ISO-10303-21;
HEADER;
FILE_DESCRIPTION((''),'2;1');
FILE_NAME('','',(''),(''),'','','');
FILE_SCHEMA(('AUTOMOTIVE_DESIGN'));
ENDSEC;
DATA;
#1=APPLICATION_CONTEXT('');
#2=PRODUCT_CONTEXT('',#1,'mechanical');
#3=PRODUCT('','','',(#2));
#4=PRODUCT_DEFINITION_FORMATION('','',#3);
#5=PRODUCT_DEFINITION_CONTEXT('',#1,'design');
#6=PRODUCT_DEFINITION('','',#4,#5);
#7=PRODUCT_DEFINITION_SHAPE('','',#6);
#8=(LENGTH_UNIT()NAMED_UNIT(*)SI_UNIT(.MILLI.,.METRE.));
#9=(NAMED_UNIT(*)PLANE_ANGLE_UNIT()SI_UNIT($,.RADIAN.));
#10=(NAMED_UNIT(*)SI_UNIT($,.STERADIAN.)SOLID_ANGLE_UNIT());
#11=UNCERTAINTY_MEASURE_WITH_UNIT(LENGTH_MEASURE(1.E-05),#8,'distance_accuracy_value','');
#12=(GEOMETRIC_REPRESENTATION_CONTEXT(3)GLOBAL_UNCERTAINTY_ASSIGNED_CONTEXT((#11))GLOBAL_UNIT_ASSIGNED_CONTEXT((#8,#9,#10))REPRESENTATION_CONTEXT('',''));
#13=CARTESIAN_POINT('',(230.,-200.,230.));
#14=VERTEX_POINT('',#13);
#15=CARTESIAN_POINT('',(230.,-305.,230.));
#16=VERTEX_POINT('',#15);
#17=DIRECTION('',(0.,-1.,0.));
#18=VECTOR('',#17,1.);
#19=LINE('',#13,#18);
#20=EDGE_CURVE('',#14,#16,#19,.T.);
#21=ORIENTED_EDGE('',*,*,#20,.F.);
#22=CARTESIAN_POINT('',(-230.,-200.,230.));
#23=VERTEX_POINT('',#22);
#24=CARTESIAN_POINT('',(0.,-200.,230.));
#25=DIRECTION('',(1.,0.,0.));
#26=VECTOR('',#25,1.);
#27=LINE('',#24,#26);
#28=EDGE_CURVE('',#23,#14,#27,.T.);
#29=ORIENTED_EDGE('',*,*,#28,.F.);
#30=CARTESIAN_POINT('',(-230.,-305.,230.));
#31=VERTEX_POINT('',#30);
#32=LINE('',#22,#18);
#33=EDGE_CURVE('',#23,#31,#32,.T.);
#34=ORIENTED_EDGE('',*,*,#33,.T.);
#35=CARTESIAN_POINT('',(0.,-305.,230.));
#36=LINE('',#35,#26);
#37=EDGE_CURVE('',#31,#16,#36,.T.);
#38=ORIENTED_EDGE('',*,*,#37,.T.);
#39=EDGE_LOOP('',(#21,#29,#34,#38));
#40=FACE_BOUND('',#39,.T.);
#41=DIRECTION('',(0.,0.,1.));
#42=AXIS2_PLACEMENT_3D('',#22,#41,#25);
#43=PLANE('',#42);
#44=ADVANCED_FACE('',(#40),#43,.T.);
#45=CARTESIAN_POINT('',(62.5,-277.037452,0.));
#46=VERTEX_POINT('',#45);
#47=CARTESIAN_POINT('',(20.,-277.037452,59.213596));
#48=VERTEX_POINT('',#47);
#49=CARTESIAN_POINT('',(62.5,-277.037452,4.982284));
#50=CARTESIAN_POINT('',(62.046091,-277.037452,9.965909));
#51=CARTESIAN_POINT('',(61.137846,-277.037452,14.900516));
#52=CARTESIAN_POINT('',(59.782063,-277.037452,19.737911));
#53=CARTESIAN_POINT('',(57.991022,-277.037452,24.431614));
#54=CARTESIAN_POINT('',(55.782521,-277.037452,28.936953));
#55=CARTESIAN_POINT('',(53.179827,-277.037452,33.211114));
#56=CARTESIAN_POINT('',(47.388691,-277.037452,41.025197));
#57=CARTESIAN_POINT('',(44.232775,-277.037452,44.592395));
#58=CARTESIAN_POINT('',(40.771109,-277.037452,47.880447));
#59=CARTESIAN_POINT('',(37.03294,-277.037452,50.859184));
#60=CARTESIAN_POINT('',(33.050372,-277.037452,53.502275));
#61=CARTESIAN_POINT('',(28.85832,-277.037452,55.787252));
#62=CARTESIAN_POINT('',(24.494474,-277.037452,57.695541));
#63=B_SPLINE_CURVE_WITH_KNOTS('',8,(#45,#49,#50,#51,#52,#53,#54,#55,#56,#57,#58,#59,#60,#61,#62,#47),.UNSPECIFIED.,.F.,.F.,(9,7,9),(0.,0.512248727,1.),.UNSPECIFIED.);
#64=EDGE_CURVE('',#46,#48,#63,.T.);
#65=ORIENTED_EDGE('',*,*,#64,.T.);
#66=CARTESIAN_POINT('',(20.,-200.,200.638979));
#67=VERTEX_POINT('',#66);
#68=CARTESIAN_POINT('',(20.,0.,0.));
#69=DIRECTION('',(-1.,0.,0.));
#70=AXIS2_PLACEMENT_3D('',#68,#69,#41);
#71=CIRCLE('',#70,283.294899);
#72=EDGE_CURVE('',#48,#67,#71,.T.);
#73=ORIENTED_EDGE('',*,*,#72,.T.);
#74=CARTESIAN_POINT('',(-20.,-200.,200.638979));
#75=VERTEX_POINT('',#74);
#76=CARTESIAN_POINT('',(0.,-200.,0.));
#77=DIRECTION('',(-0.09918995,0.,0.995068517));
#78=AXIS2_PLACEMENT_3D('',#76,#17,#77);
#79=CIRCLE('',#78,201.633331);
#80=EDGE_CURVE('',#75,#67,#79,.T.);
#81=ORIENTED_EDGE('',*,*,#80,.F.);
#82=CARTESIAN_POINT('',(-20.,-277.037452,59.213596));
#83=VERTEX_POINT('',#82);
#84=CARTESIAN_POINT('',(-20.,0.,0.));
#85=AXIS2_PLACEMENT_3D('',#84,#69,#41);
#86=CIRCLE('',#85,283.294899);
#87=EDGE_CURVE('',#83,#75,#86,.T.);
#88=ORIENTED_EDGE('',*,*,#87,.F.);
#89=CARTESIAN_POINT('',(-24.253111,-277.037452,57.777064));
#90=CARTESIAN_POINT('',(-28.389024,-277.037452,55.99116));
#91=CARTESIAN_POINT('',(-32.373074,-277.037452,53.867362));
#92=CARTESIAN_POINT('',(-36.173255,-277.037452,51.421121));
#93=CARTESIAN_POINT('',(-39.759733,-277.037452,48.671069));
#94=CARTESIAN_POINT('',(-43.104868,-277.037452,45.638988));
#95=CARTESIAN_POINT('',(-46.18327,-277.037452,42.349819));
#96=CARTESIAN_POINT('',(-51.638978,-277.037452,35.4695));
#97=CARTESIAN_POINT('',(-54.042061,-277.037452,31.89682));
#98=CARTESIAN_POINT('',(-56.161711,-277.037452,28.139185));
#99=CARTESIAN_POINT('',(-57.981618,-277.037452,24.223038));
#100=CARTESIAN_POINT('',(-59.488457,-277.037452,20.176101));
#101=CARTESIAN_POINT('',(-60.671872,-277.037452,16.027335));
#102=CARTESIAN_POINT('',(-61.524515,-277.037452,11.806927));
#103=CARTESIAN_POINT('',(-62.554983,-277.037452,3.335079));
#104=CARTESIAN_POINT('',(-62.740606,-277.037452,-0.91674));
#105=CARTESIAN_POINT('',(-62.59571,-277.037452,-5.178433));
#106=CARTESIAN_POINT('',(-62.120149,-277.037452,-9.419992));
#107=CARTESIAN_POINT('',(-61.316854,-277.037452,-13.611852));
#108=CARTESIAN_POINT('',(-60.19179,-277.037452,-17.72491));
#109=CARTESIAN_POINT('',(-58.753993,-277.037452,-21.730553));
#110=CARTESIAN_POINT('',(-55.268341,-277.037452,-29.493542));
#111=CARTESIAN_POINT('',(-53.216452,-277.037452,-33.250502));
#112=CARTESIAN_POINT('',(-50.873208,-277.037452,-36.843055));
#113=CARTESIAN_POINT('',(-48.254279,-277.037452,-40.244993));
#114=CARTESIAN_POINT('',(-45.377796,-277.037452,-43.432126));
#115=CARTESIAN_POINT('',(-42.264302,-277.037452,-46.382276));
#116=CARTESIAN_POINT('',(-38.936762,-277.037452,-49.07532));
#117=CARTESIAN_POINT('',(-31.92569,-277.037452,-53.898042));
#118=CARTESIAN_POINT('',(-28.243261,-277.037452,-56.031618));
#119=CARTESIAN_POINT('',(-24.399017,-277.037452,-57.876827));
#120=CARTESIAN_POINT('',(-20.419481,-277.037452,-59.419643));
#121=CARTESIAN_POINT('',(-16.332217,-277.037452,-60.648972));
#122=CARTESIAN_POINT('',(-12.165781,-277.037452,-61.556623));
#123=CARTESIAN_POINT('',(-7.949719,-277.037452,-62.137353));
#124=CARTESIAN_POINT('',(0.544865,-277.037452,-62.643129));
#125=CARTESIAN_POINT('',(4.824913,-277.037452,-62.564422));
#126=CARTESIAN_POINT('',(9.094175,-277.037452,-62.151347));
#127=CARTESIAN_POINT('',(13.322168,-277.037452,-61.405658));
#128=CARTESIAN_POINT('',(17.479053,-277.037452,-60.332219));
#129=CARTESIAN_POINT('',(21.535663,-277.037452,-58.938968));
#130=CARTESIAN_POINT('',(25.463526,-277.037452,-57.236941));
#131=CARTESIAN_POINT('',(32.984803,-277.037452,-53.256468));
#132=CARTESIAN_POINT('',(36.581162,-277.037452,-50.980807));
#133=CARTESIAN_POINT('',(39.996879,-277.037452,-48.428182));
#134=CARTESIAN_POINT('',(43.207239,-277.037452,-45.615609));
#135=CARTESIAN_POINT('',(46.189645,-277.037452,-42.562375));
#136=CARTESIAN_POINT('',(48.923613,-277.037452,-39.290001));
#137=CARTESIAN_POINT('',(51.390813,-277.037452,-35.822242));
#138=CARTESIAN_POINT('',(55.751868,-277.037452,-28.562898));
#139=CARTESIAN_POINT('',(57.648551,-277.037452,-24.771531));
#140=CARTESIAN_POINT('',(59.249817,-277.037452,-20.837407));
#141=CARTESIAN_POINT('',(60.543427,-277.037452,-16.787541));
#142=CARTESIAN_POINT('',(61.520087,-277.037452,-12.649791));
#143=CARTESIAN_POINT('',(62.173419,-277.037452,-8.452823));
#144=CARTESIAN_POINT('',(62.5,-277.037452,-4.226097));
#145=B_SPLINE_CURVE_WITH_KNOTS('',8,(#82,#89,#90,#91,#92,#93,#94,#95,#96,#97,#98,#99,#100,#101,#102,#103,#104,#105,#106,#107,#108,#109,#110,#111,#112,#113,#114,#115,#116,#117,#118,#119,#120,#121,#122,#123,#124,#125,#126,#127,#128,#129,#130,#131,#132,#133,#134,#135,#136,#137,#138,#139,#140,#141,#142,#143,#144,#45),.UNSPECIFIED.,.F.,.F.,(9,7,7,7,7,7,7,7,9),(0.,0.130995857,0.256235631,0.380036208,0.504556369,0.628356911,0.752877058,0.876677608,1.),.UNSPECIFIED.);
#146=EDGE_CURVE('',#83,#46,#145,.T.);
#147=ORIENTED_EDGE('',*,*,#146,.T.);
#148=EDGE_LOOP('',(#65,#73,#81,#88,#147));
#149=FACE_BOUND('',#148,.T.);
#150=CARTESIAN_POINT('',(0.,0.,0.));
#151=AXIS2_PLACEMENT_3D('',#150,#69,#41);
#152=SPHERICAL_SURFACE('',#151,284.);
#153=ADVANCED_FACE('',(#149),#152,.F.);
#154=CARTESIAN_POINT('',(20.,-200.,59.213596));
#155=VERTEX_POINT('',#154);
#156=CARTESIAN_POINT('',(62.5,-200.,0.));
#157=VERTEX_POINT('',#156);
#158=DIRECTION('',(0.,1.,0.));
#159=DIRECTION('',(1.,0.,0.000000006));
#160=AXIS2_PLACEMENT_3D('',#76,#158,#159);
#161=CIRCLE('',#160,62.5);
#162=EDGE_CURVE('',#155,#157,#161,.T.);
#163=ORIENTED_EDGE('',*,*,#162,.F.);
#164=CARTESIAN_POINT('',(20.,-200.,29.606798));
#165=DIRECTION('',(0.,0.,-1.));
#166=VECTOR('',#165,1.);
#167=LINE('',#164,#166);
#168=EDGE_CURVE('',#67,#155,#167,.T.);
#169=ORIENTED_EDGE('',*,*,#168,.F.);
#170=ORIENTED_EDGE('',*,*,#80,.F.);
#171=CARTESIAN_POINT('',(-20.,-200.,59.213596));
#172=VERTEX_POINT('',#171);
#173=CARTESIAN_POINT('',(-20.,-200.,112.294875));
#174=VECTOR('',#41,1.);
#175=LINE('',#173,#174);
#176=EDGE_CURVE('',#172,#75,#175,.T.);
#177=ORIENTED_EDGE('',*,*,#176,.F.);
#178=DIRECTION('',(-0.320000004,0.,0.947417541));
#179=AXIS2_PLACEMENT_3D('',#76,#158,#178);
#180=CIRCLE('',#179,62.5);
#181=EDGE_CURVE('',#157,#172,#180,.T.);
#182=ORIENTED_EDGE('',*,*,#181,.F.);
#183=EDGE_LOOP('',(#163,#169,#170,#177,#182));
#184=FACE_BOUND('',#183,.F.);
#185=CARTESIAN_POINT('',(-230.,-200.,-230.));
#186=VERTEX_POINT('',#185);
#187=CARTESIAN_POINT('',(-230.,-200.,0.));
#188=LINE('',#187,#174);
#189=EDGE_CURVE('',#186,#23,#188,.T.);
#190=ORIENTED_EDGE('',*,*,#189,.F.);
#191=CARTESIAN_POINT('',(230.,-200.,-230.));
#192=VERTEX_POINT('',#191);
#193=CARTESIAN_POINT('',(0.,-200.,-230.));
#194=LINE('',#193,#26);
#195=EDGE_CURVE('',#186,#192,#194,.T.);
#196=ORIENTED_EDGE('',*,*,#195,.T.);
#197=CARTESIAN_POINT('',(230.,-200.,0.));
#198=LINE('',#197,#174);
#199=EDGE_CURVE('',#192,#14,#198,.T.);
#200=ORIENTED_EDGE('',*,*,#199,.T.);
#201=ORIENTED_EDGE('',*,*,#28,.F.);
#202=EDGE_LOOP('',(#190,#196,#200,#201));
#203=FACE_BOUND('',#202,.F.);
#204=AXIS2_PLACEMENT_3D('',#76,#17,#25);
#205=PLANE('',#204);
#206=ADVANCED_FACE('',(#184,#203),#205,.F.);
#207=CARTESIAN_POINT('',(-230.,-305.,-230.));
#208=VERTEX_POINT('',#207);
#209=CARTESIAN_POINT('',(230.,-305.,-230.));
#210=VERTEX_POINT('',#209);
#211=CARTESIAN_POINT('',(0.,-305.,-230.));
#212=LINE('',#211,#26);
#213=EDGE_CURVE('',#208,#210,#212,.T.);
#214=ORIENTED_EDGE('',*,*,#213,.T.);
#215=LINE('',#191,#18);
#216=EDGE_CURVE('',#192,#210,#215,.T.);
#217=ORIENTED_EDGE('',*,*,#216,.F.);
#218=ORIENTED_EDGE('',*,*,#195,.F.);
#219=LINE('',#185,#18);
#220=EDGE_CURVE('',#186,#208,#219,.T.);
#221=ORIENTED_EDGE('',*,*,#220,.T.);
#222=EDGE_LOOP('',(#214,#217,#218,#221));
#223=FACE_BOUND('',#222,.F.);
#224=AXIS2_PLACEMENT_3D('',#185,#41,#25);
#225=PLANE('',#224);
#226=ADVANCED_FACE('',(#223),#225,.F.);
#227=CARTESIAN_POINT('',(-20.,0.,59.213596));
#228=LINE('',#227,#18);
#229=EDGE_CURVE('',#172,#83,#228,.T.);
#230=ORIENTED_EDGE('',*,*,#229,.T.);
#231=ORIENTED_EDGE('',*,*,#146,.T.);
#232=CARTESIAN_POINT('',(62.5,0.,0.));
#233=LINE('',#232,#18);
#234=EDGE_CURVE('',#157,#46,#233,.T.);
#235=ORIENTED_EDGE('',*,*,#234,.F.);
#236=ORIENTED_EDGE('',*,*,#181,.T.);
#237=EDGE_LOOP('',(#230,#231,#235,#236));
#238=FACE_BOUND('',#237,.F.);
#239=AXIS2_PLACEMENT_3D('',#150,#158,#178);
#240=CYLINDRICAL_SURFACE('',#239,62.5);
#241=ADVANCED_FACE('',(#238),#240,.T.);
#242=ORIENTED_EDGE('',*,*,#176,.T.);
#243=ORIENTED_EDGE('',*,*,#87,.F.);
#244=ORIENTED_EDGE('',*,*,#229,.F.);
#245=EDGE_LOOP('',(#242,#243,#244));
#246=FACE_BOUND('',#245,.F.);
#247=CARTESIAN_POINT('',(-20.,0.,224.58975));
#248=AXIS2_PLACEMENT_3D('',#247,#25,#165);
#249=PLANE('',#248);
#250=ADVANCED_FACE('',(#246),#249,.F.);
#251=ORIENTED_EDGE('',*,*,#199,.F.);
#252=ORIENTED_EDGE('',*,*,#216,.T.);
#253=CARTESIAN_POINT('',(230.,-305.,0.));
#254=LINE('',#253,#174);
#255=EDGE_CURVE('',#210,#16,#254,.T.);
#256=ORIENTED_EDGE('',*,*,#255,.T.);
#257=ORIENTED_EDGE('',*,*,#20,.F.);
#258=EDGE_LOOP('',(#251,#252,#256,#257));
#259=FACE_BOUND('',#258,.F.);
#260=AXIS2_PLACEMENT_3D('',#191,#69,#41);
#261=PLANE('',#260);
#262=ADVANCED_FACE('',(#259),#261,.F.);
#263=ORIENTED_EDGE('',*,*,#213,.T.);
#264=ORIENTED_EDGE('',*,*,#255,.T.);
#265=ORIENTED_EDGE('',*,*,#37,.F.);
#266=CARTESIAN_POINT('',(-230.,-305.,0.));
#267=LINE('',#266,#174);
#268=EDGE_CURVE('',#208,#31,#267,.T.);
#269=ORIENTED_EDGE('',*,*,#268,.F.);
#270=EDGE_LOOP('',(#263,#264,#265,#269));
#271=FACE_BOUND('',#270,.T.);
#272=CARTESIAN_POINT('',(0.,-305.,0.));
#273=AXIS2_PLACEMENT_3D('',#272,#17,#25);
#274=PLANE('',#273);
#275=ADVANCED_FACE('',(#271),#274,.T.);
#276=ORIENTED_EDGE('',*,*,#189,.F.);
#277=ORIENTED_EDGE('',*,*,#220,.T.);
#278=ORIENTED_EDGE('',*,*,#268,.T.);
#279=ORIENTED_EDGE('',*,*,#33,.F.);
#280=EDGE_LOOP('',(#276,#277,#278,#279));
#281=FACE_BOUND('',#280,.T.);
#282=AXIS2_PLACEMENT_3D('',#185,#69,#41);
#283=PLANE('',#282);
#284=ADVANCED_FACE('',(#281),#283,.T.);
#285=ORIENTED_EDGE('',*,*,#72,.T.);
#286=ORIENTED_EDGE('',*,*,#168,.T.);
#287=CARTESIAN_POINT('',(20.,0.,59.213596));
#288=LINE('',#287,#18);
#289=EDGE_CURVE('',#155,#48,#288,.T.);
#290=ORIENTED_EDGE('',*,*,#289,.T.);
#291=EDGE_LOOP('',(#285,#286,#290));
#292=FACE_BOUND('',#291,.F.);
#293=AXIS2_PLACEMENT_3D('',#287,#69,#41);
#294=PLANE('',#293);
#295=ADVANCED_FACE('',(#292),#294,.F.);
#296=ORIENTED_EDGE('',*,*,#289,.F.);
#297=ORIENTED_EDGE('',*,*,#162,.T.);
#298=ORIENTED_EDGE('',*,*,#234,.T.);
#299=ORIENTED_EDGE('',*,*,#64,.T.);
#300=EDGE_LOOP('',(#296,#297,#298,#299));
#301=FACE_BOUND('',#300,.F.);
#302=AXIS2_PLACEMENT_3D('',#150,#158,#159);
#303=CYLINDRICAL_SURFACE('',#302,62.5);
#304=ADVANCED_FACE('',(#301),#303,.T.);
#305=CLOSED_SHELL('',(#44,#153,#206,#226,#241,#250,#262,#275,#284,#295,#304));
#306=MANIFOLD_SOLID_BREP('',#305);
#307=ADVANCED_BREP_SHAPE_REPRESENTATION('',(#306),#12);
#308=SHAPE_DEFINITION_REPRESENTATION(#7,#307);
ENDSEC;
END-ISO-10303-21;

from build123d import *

# Parameters (mm, degrees)
F3_R     = 300
F4_DEPTH = 500
F6_DEPTH = 600
F7_W     = 460
F7_H     = 460
F8_DEPTH = 105


with BuildPart() as f1:
    # F0 (on Front) → F1 (revolve)
    with BuildSketch(Plane.XZ):
        with BuildLine():
            Line((-284, 0), (284, 0))
            ThreePointArc((284, 0), (0, 284), (-284, 0))
        make_face()
    revolve(axis=Axis((0, 0, 0), (1, 0, 0)))

    # F3 (on offset) → F4 (cut)
    with BuildSketch(Plane.XZ.offset(200)):
        Circle(F3_R)
    extrude(amount=-F4_DEPTH, mode=Mode.SUBTRACT)

    # F5 (on Front) → F6 (cut)
    with BuildSketch(Plane.XZ):
        with BuildLine():
            ThreePointArc((-20, 59.213596), (0, 62.5), (20, 59.213596))
            Line((20, 59.213596), (20, 224.58975))
            Line((20, 224.58975), (-20, 224.58975))
            Line((-20, 224.58975), (-20, 59.213596))
        make_face()
        with BuildLine():
            ThreePointArc((-20, 59.213596), (-36.443449, -50.77524), (62.5, 0))
            ThreePointArc((62.5, 0), (50.77524, 36.443449), (20, 59.213596))
            Line((20, 59.213596), (20, 25.99727))
            Line((20, 25.99727), (-20, 25.99727))
            Line((-20, 25.99727), (-20, 59.213596))
        make_face()
        with BuildLine():
            Line((20, 25.99727), (20, 59.213596))
            ThreePointArc((20, 59.213596), (0, 62.5), (-20, 59.213596))
            Line((-20, 59.213596), (-20, 25.99727))
            Line((-20, 25.99727), (20, 25.99727))
        make_face()
    extrude(amount=F6_DEPTH, mode=Mode.SUBTRACT)


with BuildPart() as f8:
    # F7 (on offset) → F8 (new body)
    with BuildSketch(Plane.XZ.offset(200)):
        Rectangle(F7_W, F7_H)
    extrude(amount=F8_DEPTH)

    # F9: cut F1
    add(f1.part, mode=Mode.SUBTRACT)


solid = f8.part
